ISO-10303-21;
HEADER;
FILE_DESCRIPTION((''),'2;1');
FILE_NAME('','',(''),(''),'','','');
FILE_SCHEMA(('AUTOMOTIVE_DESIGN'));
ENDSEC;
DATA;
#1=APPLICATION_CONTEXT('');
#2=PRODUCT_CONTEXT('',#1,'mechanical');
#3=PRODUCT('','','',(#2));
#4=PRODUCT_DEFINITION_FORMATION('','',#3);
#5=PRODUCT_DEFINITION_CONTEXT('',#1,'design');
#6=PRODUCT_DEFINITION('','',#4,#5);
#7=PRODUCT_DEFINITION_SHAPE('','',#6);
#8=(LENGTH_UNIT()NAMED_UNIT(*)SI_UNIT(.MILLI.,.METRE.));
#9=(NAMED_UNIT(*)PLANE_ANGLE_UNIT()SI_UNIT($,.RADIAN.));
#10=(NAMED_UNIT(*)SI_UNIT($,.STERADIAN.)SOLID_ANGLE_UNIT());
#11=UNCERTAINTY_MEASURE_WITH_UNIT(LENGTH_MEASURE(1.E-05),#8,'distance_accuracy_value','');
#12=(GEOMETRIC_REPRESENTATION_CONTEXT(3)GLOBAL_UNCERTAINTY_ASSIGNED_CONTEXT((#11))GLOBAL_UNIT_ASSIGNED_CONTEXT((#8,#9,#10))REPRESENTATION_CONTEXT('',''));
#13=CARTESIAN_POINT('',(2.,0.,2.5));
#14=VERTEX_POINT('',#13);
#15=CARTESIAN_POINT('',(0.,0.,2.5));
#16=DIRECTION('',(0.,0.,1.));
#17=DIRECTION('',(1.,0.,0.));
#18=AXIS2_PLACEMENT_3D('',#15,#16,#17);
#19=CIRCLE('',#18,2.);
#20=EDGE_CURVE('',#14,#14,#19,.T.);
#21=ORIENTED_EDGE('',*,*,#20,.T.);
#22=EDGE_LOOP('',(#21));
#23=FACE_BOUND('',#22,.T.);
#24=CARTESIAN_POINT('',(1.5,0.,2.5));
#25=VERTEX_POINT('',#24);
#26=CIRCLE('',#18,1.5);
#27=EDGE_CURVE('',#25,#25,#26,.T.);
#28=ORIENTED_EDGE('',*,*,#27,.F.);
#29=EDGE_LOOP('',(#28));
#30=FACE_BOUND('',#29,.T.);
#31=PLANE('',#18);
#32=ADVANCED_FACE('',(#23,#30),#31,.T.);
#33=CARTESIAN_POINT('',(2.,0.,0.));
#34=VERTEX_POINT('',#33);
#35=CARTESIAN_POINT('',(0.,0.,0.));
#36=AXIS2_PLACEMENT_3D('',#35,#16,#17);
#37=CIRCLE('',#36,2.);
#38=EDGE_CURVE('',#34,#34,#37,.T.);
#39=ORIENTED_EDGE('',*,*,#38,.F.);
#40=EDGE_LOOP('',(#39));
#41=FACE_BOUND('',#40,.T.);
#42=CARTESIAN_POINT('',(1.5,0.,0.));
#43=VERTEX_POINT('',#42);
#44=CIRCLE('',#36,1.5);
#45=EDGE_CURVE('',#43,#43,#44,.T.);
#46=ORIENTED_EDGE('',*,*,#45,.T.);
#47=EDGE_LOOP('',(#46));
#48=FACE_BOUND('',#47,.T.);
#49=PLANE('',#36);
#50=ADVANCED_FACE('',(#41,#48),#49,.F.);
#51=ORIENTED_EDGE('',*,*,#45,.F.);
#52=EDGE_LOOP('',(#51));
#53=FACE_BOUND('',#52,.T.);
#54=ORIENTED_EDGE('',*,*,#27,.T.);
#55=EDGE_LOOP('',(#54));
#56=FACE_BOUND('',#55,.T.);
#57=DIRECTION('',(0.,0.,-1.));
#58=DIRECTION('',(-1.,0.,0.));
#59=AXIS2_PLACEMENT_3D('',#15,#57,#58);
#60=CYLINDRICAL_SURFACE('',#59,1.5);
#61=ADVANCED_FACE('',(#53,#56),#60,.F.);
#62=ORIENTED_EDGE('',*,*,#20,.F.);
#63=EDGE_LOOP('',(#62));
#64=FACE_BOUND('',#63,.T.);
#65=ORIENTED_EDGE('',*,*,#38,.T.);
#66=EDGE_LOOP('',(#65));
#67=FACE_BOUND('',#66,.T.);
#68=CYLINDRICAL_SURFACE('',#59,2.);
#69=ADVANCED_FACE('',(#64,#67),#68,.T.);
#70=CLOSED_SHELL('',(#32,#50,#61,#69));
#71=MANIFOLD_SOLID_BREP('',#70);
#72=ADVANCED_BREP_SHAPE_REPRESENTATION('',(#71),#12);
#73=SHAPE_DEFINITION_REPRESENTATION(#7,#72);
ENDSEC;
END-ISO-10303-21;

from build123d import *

# Parameters (mm, degrees)
SKETCH1_R           = 2
BOSS_EXTRUDE1_DEPTH = 2.5
SKETCH2_R           = 1.5
CUT_EXTRUDE1_DEPTH  = 2.5


with BuildPart() as part:
    # Sketch1 → Boss-Extrude1 (new body)
    with BuildSketch(Plane.XY):
        Circle(SKETCH1_R)
    extrude(amount=BOSS_EXTRUDE1_DEPTH)

    # Sketch2 → Cut-Extrude1 (cut)
    with BuildSketch(Plane.XY):
        Circle(SKETCH2_R)
    extrude(amount=CUT_EXTRUDE1_DEPTH, mode=Mode.SUBTRACT)


solid = part.part
